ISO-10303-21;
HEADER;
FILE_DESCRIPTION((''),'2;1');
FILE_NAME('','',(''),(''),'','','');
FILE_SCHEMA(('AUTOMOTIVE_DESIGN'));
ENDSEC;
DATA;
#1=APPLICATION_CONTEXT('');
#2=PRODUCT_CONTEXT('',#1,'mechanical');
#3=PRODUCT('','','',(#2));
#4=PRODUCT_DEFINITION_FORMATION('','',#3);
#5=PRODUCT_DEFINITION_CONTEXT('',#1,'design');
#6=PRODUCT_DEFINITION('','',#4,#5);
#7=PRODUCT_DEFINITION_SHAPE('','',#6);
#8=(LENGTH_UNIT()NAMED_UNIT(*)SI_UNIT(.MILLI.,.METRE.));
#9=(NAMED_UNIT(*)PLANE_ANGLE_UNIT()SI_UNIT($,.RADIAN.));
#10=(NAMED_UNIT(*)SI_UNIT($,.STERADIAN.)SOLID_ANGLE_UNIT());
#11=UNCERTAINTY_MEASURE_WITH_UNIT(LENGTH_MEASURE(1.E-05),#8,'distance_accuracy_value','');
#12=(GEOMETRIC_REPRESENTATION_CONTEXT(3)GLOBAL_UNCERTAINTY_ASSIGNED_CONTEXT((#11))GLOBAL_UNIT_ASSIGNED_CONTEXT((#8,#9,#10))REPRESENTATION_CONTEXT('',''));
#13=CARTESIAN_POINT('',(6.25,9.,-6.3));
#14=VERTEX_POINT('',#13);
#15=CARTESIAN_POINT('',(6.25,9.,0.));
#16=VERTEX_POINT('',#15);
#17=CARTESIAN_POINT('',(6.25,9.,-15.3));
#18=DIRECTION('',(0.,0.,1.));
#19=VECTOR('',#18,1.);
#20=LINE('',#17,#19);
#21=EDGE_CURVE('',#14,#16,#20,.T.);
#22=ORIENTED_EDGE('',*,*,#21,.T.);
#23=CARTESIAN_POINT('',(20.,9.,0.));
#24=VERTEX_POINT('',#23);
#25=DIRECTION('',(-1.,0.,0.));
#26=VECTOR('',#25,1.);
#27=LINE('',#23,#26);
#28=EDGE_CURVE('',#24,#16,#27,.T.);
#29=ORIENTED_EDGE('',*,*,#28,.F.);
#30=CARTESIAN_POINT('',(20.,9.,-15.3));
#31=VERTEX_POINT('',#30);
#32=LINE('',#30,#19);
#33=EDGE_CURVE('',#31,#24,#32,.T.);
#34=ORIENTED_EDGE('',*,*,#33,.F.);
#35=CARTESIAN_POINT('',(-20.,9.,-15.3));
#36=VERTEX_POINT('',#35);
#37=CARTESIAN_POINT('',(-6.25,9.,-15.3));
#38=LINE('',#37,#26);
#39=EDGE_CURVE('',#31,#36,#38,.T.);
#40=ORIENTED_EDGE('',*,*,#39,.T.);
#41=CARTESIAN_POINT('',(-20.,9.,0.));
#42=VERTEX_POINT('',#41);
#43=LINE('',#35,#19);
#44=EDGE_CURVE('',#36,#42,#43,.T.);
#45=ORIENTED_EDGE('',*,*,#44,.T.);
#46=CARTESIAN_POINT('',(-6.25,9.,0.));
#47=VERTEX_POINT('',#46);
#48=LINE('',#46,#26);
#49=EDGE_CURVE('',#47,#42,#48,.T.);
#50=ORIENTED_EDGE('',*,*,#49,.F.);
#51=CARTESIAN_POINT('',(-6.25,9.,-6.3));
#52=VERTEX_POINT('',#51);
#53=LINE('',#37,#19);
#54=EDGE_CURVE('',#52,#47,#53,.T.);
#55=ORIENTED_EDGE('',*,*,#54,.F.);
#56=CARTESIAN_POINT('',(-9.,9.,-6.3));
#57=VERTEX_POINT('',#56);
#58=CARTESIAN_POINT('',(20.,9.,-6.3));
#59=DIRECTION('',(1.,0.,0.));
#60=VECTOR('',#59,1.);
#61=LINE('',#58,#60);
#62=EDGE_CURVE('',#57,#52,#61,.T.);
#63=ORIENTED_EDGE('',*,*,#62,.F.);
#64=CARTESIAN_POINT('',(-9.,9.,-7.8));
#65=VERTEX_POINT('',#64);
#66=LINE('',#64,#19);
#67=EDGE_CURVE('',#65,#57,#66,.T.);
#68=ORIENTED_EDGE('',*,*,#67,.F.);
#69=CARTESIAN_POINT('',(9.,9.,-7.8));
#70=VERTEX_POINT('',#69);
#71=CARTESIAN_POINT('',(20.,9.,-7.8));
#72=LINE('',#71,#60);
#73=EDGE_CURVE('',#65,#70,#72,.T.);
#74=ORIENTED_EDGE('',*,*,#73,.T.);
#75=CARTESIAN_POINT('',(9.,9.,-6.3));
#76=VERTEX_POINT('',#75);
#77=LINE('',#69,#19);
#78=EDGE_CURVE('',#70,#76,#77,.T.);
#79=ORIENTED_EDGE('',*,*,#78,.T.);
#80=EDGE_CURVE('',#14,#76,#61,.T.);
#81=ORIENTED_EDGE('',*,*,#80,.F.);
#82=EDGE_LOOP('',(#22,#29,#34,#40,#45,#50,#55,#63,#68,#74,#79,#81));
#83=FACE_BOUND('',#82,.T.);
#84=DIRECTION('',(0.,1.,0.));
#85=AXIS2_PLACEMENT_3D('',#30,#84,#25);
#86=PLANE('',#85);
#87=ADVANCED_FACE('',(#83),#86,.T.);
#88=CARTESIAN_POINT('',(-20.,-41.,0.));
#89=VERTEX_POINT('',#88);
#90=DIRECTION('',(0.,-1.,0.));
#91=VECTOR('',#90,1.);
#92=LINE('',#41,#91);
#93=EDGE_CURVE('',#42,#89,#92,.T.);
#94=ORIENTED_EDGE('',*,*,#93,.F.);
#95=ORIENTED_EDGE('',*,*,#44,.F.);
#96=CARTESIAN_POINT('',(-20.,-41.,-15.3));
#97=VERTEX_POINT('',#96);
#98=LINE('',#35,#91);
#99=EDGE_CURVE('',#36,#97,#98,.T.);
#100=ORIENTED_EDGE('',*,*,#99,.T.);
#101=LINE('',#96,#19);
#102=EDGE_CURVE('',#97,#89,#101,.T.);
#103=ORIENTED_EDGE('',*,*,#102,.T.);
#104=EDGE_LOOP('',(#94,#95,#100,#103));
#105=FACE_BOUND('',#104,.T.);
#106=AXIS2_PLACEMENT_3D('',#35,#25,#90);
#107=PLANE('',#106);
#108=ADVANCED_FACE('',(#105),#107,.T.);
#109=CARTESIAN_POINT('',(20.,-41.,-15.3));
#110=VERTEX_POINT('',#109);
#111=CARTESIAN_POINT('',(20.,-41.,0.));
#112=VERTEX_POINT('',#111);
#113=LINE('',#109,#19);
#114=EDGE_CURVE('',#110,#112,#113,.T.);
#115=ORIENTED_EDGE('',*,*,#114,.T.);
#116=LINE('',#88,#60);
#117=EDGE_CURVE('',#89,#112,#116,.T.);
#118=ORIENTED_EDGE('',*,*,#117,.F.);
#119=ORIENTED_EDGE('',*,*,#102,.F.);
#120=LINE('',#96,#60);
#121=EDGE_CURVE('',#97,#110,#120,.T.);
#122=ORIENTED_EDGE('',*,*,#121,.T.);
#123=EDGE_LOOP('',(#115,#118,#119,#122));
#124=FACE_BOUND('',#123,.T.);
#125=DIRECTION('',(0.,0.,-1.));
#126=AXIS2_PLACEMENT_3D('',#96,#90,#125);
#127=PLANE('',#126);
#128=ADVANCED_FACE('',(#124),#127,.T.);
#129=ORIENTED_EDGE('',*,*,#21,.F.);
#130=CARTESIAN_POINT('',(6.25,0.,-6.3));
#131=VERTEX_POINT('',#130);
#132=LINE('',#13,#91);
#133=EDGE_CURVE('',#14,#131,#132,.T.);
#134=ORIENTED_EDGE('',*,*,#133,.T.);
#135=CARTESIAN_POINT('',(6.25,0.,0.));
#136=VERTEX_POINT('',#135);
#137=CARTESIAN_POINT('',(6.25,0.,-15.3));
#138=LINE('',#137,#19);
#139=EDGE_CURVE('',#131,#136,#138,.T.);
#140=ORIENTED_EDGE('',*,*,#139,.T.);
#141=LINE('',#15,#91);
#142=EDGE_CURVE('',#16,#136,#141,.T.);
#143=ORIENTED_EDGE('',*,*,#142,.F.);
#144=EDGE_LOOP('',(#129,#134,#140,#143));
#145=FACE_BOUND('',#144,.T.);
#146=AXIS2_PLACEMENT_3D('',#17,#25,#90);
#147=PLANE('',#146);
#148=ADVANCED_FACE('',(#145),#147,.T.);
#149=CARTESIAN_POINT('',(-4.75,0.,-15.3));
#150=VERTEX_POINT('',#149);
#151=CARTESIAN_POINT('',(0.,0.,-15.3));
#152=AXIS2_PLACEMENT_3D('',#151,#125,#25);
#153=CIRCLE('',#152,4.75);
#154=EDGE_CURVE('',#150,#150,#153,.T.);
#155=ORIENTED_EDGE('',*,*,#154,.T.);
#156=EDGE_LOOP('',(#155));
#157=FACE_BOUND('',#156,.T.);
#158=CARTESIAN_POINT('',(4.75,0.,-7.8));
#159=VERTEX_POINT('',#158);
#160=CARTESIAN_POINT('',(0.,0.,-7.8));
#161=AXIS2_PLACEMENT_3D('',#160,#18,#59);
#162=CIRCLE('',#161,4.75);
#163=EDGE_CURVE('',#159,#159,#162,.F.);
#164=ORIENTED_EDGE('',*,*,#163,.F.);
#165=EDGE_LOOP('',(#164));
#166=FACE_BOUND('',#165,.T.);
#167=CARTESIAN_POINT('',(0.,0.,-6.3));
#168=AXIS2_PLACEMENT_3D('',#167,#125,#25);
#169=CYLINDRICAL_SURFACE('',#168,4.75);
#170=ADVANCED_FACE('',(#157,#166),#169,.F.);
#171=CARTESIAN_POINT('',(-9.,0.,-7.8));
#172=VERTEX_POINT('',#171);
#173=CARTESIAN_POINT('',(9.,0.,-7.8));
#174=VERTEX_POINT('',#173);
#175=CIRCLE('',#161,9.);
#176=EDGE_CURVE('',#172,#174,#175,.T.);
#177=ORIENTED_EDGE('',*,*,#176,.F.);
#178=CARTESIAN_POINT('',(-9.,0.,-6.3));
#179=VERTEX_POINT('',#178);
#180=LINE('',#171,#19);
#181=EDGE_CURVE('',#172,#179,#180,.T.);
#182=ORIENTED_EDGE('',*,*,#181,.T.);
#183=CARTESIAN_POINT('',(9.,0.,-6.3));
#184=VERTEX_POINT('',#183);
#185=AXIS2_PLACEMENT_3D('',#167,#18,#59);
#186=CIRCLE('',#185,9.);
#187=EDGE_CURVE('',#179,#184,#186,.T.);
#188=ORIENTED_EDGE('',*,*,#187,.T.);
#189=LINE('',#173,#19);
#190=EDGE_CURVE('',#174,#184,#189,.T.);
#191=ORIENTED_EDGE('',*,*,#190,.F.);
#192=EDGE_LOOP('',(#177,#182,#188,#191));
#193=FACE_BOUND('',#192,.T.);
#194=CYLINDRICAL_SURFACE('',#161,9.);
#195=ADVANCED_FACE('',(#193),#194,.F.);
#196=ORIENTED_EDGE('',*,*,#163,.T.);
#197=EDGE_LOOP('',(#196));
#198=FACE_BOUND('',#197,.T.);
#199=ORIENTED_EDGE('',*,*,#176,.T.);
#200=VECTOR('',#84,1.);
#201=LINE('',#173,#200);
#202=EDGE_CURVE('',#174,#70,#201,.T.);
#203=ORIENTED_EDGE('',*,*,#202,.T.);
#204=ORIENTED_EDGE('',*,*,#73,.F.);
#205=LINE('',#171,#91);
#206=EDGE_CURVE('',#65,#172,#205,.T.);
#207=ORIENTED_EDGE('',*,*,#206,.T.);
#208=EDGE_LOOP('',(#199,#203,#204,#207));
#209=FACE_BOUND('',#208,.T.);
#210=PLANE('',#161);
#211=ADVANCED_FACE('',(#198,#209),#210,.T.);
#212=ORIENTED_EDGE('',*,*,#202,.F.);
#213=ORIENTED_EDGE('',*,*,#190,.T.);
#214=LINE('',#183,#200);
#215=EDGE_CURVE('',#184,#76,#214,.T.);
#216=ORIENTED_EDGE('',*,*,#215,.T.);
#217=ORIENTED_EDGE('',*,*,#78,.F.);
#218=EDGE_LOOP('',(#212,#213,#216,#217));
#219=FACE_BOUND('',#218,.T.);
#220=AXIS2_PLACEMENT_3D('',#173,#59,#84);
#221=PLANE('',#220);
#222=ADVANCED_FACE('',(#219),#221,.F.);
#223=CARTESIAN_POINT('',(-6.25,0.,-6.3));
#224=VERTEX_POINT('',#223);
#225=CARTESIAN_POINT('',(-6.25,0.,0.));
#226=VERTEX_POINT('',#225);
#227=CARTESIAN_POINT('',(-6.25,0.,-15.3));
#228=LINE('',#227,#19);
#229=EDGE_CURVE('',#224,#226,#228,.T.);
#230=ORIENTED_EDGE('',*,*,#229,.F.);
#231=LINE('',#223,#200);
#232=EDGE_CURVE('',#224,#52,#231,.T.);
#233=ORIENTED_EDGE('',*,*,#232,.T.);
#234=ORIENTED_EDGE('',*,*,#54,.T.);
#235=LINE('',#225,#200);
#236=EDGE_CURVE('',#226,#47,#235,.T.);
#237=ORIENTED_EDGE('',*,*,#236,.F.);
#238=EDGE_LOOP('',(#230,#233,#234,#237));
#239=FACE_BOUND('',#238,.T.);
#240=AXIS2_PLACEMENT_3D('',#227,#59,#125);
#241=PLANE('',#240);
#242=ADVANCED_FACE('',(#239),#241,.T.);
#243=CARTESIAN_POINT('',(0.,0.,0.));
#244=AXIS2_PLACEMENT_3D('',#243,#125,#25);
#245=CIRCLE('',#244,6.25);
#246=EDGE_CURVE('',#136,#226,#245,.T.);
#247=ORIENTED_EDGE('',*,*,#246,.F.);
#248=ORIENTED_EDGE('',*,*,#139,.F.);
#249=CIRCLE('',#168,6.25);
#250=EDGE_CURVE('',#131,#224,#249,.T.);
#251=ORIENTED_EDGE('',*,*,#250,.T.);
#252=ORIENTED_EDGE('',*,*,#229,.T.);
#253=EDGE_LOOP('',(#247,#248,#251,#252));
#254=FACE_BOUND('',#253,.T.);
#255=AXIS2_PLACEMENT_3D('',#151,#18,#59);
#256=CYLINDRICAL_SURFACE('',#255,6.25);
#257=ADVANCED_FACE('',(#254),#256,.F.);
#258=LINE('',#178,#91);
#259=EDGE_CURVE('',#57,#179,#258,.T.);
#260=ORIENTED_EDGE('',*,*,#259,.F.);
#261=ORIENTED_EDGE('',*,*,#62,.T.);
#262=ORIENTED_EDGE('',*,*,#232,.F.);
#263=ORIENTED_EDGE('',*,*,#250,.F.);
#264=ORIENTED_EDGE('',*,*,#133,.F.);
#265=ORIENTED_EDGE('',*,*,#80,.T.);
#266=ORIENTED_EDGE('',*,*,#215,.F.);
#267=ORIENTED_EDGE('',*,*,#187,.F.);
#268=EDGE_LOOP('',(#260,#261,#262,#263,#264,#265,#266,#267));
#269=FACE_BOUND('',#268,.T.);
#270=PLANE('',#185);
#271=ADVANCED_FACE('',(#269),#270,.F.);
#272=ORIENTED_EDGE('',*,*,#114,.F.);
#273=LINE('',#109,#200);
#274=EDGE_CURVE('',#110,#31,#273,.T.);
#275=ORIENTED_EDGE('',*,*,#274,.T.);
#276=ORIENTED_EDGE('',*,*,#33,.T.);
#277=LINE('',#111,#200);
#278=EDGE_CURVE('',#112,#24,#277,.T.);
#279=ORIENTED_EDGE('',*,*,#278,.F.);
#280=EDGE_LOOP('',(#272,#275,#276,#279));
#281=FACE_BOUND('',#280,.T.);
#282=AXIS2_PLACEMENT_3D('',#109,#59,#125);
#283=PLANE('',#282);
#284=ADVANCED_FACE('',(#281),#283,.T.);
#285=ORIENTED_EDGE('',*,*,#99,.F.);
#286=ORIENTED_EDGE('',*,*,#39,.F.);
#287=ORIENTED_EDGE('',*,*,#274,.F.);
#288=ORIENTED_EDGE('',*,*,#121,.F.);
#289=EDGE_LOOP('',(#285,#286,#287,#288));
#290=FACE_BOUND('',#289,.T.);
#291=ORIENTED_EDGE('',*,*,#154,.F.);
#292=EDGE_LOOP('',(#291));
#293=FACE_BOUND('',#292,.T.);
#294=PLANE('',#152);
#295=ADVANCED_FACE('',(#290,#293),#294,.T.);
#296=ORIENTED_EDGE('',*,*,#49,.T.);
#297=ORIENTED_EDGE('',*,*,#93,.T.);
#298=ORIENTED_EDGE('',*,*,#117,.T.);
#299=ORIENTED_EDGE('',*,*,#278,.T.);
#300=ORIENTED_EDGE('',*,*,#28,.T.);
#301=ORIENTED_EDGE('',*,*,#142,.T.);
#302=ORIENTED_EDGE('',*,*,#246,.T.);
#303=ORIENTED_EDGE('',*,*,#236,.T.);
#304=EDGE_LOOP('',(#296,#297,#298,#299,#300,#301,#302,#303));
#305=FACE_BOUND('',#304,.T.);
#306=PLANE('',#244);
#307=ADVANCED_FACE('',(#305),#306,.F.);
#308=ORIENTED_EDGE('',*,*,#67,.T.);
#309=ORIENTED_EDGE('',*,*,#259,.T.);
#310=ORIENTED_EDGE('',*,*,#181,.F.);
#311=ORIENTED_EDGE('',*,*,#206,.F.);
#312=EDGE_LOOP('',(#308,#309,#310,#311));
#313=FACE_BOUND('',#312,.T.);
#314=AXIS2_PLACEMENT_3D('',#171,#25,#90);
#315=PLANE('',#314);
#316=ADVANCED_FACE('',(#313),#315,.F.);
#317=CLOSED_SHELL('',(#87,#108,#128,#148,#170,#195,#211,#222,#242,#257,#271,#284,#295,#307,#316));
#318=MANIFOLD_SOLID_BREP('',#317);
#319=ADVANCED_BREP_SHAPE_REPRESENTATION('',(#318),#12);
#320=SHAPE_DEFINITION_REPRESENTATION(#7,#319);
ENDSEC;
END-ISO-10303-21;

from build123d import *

# Parameters (mm, degrees)
BOSS_EXTRUDE1_DEPTH = 15.3
SKETCH3_R           = 4.75
BOSS_EXTRUDE2_DEPTH = 9
CUT_EXTRUDE1_DEPTH  = 1.5


with BuildPart() as part:
    # Sketch2 → Boss-Extrude1 (new body)
    with BuildSketch(Plane.XY):
        with BuildLine():
            Line((-20, 9), (-20, -41))
            Line((-20, -41), (20, -41))
            Line((20, -41), (20, 9))
            Line((20, 9), (6.25, 9))
            Line((6.25, 9), (6.25, 0))
            ThreePointArc((6.25, 0), (0, -6.25), (-6.25, 0))
            Line((-6.25, 0), (-6.25, 9))
            Line((-6.25, 9), (-20, 9))
        make_face()
    extrude(amount=-BOSS_EXTRUDE1_DEPTH)

    # Sketch3 → Boss-Extrude2 (add)
    with BuildSketch(Plane(origin=(0, 0, -15.3), x_dir=(-1, 0, 0), z_dir=(0, 0, -1))):
        with BuildLine():
            Line((6.25, 0), (6.25, 9))
            Line((6.25, 9), (-6.25, 9))
            Line((-6.25, 9), (-6.25, 0))
            ThreePointArc((-6.25, 0), (0, -6.25), (6.25, 0))
        make_face()
        Circle(SKETCH3_R, mode=Mode.SUBTRACT)
    extrude(amount=-BOSS_EXTRUDE2_DEPTH)

    # Sketch4 → Cut-Extrude1 (cut)
    with BuildSketch(Plane.XY.offset(-6.3)):
        with BuildLine():
            Line((-9, 0), (-9, 9))
            ThreePointArc((-9, 9), (0, 18), (9, 9))
            Line((9, 9), (9, 0))
            ThreePointArc((9, 0), (0, -9), (-9, 0))
        make_face()
    extrude(amount=-CUT_EXTRUDE1_DEPTH, mode=Mode.SUBTRACT)


solid = part.part
